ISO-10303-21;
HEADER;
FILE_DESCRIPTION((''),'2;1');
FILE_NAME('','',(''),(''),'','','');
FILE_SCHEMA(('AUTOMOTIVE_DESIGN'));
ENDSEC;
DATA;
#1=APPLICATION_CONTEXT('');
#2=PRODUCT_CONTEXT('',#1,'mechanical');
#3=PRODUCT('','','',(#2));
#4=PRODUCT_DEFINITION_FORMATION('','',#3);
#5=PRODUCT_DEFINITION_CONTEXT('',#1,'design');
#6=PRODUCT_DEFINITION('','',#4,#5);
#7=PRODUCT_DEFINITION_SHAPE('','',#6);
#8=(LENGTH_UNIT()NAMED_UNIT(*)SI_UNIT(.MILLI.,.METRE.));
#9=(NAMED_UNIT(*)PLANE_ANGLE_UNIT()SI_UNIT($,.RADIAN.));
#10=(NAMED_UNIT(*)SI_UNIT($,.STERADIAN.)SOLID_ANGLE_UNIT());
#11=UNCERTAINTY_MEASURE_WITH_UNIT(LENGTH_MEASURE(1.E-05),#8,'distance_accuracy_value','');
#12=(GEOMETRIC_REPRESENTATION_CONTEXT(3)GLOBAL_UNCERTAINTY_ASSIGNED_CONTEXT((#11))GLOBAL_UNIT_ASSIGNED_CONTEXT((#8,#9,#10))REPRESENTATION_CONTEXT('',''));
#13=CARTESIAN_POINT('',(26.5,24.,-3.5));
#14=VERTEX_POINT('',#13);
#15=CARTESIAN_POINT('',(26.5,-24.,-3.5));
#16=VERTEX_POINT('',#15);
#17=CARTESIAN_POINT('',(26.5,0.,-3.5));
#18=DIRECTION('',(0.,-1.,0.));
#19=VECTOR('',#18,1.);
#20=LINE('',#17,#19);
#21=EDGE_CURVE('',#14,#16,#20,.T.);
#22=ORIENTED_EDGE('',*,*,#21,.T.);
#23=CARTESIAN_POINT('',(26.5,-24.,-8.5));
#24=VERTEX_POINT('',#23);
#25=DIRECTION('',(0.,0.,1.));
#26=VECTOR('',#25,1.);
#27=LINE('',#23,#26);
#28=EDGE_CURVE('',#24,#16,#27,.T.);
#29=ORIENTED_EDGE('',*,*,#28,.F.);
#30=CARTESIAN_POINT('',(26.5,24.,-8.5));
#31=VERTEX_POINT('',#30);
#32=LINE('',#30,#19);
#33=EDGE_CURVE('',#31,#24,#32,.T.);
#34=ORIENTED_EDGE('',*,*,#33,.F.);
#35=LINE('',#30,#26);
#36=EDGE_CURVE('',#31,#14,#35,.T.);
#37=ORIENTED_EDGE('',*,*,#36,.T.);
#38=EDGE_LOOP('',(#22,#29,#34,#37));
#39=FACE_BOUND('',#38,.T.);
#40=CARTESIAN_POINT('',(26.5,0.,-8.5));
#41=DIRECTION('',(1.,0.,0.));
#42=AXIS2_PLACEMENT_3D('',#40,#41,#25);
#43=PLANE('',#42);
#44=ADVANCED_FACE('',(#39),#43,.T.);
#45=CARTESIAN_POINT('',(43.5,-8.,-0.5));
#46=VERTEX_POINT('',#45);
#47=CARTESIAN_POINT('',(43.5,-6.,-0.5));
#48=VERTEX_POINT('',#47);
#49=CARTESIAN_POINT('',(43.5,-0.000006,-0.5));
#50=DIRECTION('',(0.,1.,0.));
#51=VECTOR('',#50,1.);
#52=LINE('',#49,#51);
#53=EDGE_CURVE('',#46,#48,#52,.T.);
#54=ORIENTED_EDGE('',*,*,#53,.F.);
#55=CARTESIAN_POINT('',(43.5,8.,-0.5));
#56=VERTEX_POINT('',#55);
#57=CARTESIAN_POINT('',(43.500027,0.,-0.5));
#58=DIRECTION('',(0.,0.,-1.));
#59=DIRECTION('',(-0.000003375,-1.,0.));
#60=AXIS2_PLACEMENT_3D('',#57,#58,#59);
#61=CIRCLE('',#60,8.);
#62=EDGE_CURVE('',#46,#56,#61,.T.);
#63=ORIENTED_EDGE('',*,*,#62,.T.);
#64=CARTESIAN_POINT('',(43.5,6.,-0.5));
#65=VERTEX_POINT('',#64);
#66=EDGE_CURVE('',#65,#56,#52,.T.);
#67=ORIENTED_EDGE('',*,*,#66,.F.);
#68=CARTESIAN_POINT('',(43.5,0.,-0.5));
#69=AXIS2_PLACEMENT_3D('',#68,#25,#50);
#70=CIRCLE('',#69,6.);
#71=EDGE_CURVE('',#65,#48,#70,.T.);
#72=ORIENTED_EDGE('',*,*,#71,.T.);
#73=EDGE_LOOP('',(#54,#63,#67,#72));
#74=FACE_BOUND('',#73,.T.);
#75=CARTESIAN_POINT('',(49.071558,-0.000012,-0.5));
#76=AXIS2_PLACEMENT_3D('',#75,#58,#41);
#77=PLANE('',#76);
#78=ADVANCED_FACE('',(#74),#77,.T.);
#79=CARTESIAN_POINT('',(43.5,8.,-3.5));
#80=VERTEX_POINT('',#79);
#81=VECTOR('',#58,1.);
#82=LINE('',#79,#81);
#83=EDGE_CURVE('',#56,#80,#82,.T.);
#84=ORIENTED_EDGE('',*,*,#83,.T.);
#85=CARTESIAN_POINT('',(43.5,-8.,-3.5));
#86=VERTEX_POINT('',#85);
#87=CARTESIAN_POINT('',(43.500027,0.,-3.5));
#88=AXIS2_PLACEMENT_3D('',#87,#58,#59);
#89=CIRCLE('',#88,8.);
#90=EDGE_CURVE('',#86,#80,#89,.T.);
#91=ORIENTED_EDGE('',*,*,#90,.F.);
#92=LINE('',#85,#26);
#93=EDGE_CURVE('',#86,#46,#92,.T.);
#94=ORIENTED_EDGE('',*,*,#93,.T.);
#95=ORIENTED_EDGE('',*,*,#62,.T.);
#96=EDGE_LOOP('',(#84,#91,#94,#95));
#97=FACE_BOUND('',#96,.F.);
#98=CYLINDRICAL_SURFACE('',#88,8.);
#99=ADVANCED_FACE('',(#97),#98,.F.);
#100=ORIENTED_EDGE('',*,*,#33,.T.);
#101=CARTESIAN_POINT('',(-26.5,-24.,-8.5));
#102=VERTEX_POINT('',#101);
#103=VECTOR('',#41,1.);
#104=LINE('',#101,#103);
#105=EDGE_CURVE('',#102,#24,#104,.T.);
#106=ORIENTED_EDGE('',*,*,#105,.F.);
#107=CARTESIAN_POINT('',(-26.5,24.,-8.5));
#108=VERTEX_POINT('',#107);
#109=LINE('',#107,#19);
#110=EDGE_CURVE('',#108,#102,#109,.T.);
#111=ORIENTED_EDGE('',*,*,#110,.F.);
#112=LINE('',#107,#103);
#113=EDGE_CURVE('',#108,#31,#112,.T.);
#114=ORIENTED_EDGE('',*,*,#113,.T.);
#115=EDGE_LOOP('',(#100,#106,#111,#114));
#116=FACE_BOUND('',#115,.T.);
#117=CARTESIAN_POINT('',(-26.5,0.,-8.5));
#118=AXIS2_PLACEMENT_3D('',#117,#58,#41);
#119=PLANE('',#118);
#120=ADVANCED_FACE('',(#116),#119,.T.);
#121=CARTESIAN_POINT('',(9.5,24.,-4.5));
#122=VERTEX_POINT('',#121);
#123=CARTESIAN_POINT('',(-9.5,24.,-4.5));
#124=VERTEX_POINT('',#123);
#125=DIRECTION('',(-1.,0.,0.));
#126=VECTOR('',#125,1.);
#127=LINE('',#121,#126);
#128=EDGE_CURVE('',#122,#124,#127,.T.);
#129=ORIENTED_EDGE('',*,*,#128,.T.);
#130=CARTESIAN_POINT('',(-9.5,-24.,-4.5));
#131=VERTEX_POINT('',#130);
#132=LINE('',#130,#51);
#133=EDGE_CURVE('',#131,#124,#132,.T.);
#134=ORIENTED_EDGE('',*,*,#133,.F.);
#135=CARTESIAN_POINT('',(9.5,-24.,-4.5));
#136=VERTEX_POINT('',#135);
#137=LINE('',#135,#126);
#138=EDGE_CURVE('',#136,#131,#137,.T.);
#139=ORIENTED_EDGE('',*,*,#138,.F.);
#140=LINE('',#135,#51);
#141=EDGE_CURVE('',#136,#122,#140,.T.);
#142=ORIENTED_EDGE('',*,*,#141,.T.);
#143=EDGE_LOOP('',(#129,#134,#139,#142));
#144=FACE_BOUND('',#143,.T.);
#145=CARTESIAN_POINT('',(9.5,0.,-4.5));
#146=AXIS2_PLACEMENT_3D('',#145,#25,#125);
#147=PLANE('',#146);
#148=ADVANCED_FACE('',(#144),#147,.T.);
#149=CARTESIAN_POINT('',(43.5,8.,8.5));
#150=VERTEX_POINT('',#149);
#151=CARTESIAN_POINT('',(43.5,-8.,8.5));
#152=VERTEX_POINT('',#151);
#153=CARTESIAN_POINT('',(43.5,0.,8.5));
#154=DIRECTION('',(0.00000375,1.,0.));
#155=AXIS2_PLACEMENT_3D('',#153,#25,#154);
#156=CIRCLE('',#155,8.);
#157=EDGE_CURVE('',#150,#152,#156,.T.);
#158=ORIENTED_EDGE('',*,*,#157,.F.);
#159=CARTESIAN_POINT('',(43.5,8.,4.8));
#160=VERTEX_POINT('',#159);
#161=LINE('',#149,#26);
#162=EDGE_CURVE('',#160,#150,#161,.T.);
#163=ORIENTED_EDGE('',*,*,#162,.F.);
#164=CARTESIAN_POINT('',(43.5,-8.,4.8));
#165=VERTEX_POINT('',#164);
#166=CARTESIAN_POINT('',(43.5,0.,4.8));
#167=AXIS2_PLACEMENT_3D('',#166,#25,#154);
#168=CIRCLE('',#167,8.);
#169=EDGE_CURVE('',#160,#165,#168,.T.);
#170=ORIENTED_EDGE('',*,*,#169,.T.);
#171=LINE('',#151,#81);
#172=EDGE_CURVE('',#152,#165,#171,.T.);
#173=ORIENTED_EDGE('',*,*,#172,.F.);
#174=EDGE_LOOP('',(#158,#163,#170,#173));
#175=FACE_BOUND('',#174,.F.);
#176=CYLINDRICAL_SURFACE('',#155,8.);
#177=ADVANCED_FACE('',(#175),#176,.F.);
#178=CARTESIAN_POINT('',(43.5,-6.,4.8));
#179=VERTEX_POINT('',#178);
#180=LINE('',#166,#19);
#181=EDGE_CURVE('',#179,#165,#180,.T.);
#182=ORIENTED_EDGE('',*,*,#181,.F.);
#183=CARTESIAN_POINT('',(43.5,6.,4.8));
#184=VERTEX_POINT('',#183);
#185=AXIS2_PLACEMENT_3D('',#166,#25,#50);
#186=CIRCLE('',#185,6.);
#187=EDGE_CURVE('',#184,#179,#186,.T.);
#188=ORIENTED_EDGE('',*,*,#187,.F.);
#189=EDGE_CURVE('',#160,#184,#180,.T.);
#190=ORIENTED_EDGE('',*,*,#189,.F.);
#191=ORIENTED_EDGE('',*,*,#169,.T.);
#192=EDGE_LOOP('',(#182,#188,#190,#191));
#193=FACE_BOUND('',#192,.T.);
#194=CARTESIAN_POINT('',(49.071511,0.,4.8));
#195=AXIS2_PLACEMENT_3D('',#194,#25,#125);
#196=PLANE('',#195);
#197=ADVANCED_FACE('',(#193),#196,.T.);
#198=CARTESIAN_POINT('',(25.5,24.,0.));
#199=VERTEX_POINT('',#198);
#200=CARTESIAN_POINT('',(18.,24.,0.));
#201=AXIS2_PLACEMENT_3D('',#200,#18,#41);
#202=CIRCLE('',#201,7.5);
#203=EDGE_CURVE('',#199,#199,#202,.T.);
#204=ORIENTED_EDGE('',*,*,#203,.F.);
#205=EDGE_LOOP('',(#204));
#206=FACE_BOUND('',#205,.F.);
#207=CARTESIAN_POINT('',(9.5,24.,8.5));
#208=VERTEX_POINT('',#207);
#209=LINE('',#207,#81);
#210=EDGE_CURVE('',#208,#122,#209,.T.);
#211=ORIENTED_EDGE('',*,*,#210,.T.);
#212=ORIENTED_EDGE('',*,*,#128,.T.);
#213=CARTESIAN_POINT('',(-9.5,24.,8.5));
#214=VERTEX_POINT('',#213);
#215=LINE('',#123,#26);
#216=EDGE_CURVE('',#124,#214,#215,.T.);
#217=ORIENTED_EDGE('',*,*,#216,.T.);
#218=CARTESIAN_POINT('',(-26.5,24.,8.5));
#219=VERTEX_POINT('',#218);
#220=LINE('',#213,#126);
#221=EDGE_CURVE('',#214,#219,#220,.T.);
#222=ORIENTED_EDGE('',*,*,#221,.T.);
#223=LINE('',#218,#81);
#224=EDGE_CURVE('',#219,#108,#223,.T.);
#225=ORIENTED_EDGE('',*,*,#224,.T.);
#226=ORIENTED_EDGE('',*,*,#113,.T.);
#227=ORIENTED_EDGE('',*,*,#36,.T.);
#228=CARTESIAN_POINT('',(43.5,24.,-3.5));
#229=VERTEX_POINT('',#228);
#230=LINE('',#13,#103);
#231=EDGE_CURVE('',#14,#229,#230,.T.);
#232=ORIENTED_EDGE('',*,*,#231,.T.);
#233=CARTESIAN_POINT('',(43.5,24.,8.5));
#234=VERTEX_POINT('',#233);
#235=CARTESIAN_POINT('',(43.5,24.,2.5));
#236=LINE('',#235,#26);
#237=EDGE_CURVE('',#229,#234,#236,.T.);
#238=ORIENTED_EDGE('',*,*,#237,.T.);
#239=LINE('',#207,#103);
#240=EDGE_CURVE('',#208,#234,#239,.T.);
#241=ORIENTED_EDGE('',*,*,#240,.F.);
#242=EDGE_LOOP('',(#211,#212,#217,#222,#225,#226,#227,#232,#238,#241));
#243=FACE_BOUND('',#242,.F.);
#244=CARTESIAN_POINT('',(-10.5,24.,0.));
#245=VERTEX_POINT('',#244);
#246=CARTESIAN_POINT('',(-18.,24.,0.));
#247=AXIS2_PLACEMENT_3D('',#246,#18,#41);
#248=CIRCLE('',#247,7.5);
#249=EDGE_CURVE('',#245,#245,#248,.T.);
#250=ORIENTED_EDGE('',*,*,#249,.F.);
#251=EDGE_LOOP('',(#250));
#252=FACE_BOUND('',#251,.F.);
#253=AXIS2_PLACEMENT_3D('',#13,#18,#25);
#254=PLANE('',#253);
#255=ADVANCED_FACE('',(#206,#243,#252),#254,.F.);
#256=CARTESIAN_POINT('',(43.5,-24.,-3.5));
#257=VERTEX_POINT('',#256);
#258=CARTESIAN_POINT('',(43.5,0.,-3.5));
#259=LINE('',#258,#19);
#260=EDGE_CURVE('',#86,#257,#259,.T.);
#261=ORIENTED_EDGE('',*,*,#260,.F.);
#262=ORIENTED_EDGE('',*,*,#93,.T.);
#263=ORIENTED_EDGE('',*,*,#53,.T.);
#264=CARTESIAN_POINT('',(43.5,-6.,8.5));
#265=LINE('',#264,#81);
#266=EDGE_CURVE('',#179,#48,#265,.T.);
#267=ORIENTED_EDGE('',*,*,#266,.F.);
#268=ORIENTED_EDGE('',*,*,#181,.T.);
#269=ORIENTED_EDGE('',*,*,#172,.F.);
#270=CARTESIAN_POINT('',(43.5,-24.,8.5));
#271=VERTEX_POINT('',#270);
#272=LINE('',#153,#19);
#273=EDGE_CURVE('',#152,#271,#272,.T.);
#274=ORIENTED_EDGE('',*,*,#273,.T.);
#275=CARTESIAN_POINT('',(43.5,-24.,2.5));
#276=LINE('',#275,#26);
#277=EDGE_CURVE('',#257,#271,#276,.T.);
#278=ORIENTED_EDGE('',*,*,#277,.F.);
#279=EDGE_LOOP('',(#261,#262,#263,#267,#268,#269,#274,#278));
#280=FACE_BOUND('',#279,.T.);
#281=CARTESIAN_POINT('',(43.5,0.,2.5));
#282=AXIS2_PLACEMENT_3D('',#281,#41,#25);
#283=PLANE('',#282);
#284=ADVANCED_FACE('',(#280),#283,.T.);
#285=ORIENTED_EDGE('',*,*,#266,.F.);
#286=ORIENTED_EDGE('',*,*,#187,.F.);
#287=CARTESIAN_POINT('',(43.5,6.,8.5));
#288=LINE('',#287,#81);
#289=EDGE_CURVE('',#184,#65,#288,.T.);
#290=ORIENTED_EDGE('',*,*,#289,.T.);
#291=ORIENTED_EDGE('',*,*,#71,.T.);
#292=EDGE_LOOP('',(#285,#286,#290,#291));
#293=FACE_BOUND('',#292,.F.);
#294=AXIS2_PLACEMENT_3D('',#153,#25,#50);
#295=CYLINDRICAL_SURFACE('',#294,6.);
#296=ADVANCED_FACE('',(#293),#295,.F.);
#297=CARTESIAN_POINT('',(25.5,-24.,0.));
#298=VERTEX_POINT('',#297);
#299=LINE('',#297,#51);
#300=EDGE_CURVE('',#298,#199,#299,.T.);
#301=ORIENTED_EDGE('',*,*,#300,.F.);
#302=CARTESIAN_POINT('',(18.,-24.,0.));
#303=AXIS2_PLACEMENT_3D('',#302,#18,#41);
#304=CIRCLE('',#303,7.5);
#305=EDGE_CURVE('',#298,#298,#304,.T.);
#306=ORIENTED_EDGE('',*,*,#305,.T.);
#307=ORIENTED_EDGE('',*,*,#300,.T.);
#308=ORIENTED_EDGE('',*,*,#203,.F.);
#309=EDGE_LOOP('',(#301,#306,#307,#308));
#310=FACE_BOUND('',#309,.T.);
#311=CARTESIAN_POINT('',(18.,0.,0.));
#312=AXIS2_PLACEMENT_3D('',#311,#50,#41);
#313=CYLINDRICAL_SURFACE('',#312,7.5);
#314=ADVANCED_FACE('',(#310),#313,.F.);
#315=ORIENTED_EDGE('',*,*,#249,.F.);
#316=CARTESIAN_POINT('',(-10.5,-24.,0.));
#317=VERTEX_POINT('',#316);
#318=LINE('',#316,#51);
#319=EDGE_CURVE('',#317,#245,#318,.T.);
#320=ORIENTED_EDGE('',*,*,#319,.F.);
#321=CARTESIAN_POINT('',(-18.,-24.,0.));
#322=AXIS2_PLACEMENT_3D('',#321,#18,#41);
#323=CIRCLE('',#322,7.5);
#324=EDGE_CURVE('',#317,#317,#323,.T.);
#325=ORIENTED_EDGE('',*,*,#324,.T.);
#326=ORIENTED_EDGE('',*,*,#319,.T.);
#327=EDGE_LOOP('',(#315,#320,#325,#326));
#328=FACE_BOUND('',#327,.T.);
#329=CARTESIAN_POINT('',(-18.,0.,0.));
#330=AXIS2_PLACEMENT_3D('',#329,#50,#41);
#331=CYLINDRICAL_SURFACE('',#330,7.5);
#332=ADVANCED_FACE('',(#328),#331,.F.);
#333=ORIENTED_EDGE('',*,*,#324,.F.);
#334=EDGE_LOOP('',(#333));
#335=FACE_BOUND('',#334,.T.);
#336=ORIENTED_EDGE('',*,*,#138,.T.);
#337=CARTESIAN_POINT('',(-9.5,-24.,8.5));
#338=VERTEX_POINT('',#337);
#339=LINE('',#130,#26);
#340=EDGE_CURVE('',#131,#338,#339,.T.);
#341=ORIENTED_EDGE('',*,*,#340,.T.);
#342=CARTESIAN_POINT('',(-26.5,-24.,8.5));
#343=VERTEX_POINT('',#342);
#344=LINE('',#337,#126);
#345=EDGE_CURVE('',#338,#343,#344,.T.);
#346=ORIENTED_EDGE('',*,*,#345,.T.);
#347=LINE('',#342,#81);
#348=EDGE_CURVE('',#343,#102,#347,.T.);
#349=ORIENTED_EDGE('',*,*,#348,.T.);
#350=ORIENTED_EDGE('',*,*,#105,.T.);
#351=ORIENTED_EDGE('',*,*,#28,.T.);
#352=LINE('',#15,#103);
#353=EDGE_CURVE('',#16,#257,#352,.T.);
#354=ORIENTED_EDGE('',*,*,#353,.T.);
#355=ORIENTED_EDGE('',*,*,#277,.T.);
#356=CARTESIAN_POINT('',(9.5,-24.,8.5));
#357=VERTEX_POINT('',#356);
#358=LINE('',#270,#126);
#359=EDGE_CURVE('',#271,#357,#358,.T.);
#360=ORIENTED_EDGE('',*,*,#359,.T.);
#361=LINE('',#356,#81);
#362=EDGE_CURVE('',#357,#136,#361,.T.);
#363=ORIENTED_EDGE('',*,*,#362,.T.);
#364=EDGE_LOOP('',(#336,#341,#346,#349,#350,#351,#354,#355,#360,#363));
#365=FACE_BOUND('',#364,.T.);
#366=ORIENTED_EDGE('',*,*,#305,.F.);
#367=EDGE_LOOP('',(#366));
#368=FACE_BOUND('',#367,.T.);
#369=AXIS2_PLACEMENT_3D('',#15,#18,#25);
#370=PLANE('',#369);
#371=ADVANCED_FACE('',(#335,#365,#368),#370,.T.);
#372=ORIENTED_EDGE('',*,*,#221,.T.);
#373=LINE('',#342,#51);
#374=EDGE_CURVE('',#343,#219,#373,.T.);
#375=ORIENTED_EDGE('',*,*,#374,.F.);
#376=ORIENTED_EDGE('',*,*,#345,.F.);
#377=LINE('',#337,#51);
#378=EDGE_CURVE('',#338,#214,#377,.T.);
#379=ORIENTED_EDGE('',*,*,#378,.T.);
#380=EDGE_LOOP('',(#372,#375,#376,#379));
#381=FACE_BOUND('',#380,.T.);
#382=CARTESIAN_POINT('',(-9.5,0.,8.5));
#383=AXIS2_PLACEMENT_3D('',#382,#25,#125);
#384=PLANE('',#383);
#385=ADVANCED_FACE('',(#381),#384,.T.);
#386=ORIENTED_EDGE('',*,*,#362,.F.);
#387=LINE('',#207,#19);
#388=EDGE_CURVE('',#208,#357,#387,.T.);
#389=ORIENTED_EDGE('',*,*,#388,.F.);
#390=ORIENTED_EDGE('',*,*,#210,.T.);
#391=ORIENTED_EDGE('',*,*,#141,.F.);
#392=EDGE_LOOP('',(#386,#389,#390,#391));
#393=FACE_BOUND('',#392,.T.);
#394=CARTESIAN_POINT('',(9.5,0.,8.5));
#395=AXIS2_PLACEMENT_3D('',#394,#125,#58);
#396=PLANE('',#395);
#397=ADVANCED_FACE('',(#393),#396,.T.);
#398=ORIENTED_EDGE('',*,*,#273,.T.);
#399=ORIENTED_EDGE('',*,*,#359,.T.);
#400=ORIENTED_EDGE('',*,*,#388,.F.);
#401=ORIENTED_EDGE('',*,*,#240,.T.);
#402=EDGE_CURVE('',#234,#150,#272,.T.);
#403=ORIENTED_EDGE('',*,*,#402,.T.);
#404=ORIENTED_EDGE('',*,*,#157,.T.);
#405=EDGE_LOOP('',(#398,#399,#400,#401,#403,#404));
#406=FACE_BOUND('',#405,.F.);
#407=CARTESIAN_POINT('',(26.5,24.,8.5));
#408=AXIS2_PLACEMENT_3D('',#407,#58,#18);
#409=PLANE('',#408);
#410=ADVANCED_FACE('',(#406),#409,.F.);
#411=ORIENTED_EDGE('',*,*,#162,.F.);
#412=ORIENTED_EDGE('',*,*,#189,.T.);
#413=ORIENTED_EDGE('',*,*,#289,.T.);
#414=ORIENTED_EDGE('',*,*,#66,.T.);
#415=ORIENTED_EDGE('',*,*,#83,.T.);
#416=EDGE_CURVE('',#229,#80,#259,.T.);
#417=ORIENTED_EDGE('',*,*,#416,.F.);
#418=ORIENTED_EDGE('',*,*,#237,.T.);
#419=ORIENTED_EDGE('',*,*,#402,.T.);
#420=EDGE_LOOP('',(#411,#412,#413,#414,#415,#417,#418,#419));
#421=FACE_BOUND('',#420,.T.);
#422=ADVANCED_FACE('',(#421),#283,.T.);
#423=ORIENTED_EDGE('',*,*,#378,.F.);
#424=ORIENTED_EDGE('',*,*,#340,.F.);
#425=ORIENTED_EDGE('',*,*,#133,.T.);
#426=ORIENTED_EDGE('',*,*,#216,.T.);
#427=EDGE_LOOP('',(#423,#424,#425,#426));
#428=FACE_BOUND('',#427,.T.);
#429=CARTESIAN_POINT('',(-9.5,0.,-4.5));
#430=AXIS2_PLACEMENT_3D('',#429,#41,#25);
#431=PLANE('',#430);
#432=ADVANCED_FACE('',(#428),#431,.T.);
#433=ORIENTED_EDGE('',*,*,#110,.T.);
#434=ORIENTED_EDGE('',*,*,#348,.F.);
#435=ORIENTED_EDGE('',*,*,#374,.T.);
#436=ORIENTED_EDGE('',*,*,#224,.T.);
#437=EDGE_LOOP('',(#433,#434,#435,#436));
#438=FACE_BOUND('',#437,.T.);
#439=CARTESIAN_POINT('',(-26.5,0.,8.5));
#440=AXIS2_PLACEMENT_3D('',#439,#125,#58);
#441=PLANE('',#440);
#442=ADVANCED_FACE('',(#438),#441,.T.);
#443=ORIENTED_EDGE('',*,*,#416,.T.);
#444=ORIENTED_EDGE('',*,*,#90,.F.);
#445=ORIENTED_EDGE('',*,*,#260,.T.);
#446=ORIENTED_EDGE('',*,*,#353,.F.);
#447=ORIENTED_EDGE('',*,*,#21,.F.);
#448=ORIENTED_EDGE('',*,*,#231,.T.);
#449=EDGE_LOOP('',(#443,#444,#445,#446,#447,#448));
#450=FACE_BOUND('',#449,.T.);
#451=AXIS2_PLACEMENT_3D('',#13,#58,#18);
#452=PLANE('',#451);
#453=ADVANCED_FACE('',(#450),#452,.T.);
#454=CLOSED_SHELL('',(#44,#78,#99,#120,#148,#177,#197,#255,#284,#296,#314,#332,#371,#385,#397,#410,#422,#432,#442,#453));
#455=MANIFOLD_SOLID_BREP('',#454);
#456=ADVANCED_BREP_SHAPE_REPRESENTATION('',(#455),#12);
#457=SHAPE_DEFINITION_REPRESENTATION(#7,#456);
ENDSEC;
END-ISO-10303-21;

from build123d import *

# Parameters (mm, degrees)
SKETCH_R        = 7.5
PAD_DEPTH       = 24
SKETCH001_W     = 12
SKETCH001_H     = 48
PAD001_DEPTH    = 17
POCKET_DEPTH    = 17.001
POCKET001_DEPTH = 3.7
POCKET002_DEPTH = 3


with BuildPart() as part:
    # Sketch → Pad (new body, symmetric)
    with BuildSketch(Plane.XZ):
        Polygon((-26.5, 8.5), (-26.5, -8.5), (26.5, -8.5), (26.5, 8.5), (9.5, 8.5), (9.5, -4.5), (-9.5, -4.5), (-9.5, 8.5), align=None)
        with Locations((-18, 0)):
            Circle(SKETCH_R, mode=Mode.SUBTRACT)
        with Locations((18, 0)):
            Circle(SKETCH_R, mode=Mode.SUBTRACT)
    extrude(amount=PAD_DEPTH, both=True)

    # Sketch001 → Pad001 (new body)
    with BuildSketch(Plane(origin=(26.5, 0, 0), x_dir=(0, 0, 1), z_dir=(1, 0, 0))):
        with Locations((2.5, 0)):
            Rectangle(SKETCH001_W, SKETCH001_H)
    extrude(amount=PAD001_DEPTH)

    # Sketch002 → Pocket (cut, through all)
    with BuildSketch(Plane(origin=(0, 0, 8.5), x_dir=(-1, 0, 0), z_dir=(0, 0, 1))):
        with BuildLine():
            ThreePointArc((-43.5, -6), (-37.5, 0), (-43.5, 6))
            Line((-43.5, 6), (-55.5, 6))
            Line((-55.5, 6), (-55.5, -6))
            Line((-55.5, -6), (-43.5, -6))
        make_face()
    extrude(amount=-POCKET_DEPTH, mode=Mode.SUBTRACT)

    # Sketch003 → Pocket001 (cut)
    with BuildSketch(Plane(origin=(0, 0, 8.5), x_dir=(-1, 0, 0), z_dir=(0, 0, 1))):
        with BuildLine():
            ThreePointArc((-43.50003, -8), (-35.5, -1.5e-05), (-43.5, 8))
            Line((-43.5, 8), (-59.5, 8))
            Line((-59.5, 8), (-59.5, -8))
            Line((-59.5, -8), (-43.50003, -8))
        make_face()
    extrude(amount=-POCKET001_DEPTH, mode=Mode.SUBTRACT)

    # Sketch004 → Pocket002 (cut)
    with BuildSketch(Plane(origin=(0, 0, -3.5), x_dir=(1, 0, 0), z_dir=(0, 0, -1))):
        with BuildLine():
            ThreePointArc((43.5, 8), (35.500027, -1.3e-05), (43.500027, -8))
            Line((59.500053, -8), (43.500027, -8))
            Line((59.500053, 8.000053), (59.500053, -8))
            Line((43.5, 8), (59.500053, 8.000053))
        make_face()
    extrude(amount=-POCKET002_DEPTH, mode=Mode.SUBTRACT)


solid = part.part
